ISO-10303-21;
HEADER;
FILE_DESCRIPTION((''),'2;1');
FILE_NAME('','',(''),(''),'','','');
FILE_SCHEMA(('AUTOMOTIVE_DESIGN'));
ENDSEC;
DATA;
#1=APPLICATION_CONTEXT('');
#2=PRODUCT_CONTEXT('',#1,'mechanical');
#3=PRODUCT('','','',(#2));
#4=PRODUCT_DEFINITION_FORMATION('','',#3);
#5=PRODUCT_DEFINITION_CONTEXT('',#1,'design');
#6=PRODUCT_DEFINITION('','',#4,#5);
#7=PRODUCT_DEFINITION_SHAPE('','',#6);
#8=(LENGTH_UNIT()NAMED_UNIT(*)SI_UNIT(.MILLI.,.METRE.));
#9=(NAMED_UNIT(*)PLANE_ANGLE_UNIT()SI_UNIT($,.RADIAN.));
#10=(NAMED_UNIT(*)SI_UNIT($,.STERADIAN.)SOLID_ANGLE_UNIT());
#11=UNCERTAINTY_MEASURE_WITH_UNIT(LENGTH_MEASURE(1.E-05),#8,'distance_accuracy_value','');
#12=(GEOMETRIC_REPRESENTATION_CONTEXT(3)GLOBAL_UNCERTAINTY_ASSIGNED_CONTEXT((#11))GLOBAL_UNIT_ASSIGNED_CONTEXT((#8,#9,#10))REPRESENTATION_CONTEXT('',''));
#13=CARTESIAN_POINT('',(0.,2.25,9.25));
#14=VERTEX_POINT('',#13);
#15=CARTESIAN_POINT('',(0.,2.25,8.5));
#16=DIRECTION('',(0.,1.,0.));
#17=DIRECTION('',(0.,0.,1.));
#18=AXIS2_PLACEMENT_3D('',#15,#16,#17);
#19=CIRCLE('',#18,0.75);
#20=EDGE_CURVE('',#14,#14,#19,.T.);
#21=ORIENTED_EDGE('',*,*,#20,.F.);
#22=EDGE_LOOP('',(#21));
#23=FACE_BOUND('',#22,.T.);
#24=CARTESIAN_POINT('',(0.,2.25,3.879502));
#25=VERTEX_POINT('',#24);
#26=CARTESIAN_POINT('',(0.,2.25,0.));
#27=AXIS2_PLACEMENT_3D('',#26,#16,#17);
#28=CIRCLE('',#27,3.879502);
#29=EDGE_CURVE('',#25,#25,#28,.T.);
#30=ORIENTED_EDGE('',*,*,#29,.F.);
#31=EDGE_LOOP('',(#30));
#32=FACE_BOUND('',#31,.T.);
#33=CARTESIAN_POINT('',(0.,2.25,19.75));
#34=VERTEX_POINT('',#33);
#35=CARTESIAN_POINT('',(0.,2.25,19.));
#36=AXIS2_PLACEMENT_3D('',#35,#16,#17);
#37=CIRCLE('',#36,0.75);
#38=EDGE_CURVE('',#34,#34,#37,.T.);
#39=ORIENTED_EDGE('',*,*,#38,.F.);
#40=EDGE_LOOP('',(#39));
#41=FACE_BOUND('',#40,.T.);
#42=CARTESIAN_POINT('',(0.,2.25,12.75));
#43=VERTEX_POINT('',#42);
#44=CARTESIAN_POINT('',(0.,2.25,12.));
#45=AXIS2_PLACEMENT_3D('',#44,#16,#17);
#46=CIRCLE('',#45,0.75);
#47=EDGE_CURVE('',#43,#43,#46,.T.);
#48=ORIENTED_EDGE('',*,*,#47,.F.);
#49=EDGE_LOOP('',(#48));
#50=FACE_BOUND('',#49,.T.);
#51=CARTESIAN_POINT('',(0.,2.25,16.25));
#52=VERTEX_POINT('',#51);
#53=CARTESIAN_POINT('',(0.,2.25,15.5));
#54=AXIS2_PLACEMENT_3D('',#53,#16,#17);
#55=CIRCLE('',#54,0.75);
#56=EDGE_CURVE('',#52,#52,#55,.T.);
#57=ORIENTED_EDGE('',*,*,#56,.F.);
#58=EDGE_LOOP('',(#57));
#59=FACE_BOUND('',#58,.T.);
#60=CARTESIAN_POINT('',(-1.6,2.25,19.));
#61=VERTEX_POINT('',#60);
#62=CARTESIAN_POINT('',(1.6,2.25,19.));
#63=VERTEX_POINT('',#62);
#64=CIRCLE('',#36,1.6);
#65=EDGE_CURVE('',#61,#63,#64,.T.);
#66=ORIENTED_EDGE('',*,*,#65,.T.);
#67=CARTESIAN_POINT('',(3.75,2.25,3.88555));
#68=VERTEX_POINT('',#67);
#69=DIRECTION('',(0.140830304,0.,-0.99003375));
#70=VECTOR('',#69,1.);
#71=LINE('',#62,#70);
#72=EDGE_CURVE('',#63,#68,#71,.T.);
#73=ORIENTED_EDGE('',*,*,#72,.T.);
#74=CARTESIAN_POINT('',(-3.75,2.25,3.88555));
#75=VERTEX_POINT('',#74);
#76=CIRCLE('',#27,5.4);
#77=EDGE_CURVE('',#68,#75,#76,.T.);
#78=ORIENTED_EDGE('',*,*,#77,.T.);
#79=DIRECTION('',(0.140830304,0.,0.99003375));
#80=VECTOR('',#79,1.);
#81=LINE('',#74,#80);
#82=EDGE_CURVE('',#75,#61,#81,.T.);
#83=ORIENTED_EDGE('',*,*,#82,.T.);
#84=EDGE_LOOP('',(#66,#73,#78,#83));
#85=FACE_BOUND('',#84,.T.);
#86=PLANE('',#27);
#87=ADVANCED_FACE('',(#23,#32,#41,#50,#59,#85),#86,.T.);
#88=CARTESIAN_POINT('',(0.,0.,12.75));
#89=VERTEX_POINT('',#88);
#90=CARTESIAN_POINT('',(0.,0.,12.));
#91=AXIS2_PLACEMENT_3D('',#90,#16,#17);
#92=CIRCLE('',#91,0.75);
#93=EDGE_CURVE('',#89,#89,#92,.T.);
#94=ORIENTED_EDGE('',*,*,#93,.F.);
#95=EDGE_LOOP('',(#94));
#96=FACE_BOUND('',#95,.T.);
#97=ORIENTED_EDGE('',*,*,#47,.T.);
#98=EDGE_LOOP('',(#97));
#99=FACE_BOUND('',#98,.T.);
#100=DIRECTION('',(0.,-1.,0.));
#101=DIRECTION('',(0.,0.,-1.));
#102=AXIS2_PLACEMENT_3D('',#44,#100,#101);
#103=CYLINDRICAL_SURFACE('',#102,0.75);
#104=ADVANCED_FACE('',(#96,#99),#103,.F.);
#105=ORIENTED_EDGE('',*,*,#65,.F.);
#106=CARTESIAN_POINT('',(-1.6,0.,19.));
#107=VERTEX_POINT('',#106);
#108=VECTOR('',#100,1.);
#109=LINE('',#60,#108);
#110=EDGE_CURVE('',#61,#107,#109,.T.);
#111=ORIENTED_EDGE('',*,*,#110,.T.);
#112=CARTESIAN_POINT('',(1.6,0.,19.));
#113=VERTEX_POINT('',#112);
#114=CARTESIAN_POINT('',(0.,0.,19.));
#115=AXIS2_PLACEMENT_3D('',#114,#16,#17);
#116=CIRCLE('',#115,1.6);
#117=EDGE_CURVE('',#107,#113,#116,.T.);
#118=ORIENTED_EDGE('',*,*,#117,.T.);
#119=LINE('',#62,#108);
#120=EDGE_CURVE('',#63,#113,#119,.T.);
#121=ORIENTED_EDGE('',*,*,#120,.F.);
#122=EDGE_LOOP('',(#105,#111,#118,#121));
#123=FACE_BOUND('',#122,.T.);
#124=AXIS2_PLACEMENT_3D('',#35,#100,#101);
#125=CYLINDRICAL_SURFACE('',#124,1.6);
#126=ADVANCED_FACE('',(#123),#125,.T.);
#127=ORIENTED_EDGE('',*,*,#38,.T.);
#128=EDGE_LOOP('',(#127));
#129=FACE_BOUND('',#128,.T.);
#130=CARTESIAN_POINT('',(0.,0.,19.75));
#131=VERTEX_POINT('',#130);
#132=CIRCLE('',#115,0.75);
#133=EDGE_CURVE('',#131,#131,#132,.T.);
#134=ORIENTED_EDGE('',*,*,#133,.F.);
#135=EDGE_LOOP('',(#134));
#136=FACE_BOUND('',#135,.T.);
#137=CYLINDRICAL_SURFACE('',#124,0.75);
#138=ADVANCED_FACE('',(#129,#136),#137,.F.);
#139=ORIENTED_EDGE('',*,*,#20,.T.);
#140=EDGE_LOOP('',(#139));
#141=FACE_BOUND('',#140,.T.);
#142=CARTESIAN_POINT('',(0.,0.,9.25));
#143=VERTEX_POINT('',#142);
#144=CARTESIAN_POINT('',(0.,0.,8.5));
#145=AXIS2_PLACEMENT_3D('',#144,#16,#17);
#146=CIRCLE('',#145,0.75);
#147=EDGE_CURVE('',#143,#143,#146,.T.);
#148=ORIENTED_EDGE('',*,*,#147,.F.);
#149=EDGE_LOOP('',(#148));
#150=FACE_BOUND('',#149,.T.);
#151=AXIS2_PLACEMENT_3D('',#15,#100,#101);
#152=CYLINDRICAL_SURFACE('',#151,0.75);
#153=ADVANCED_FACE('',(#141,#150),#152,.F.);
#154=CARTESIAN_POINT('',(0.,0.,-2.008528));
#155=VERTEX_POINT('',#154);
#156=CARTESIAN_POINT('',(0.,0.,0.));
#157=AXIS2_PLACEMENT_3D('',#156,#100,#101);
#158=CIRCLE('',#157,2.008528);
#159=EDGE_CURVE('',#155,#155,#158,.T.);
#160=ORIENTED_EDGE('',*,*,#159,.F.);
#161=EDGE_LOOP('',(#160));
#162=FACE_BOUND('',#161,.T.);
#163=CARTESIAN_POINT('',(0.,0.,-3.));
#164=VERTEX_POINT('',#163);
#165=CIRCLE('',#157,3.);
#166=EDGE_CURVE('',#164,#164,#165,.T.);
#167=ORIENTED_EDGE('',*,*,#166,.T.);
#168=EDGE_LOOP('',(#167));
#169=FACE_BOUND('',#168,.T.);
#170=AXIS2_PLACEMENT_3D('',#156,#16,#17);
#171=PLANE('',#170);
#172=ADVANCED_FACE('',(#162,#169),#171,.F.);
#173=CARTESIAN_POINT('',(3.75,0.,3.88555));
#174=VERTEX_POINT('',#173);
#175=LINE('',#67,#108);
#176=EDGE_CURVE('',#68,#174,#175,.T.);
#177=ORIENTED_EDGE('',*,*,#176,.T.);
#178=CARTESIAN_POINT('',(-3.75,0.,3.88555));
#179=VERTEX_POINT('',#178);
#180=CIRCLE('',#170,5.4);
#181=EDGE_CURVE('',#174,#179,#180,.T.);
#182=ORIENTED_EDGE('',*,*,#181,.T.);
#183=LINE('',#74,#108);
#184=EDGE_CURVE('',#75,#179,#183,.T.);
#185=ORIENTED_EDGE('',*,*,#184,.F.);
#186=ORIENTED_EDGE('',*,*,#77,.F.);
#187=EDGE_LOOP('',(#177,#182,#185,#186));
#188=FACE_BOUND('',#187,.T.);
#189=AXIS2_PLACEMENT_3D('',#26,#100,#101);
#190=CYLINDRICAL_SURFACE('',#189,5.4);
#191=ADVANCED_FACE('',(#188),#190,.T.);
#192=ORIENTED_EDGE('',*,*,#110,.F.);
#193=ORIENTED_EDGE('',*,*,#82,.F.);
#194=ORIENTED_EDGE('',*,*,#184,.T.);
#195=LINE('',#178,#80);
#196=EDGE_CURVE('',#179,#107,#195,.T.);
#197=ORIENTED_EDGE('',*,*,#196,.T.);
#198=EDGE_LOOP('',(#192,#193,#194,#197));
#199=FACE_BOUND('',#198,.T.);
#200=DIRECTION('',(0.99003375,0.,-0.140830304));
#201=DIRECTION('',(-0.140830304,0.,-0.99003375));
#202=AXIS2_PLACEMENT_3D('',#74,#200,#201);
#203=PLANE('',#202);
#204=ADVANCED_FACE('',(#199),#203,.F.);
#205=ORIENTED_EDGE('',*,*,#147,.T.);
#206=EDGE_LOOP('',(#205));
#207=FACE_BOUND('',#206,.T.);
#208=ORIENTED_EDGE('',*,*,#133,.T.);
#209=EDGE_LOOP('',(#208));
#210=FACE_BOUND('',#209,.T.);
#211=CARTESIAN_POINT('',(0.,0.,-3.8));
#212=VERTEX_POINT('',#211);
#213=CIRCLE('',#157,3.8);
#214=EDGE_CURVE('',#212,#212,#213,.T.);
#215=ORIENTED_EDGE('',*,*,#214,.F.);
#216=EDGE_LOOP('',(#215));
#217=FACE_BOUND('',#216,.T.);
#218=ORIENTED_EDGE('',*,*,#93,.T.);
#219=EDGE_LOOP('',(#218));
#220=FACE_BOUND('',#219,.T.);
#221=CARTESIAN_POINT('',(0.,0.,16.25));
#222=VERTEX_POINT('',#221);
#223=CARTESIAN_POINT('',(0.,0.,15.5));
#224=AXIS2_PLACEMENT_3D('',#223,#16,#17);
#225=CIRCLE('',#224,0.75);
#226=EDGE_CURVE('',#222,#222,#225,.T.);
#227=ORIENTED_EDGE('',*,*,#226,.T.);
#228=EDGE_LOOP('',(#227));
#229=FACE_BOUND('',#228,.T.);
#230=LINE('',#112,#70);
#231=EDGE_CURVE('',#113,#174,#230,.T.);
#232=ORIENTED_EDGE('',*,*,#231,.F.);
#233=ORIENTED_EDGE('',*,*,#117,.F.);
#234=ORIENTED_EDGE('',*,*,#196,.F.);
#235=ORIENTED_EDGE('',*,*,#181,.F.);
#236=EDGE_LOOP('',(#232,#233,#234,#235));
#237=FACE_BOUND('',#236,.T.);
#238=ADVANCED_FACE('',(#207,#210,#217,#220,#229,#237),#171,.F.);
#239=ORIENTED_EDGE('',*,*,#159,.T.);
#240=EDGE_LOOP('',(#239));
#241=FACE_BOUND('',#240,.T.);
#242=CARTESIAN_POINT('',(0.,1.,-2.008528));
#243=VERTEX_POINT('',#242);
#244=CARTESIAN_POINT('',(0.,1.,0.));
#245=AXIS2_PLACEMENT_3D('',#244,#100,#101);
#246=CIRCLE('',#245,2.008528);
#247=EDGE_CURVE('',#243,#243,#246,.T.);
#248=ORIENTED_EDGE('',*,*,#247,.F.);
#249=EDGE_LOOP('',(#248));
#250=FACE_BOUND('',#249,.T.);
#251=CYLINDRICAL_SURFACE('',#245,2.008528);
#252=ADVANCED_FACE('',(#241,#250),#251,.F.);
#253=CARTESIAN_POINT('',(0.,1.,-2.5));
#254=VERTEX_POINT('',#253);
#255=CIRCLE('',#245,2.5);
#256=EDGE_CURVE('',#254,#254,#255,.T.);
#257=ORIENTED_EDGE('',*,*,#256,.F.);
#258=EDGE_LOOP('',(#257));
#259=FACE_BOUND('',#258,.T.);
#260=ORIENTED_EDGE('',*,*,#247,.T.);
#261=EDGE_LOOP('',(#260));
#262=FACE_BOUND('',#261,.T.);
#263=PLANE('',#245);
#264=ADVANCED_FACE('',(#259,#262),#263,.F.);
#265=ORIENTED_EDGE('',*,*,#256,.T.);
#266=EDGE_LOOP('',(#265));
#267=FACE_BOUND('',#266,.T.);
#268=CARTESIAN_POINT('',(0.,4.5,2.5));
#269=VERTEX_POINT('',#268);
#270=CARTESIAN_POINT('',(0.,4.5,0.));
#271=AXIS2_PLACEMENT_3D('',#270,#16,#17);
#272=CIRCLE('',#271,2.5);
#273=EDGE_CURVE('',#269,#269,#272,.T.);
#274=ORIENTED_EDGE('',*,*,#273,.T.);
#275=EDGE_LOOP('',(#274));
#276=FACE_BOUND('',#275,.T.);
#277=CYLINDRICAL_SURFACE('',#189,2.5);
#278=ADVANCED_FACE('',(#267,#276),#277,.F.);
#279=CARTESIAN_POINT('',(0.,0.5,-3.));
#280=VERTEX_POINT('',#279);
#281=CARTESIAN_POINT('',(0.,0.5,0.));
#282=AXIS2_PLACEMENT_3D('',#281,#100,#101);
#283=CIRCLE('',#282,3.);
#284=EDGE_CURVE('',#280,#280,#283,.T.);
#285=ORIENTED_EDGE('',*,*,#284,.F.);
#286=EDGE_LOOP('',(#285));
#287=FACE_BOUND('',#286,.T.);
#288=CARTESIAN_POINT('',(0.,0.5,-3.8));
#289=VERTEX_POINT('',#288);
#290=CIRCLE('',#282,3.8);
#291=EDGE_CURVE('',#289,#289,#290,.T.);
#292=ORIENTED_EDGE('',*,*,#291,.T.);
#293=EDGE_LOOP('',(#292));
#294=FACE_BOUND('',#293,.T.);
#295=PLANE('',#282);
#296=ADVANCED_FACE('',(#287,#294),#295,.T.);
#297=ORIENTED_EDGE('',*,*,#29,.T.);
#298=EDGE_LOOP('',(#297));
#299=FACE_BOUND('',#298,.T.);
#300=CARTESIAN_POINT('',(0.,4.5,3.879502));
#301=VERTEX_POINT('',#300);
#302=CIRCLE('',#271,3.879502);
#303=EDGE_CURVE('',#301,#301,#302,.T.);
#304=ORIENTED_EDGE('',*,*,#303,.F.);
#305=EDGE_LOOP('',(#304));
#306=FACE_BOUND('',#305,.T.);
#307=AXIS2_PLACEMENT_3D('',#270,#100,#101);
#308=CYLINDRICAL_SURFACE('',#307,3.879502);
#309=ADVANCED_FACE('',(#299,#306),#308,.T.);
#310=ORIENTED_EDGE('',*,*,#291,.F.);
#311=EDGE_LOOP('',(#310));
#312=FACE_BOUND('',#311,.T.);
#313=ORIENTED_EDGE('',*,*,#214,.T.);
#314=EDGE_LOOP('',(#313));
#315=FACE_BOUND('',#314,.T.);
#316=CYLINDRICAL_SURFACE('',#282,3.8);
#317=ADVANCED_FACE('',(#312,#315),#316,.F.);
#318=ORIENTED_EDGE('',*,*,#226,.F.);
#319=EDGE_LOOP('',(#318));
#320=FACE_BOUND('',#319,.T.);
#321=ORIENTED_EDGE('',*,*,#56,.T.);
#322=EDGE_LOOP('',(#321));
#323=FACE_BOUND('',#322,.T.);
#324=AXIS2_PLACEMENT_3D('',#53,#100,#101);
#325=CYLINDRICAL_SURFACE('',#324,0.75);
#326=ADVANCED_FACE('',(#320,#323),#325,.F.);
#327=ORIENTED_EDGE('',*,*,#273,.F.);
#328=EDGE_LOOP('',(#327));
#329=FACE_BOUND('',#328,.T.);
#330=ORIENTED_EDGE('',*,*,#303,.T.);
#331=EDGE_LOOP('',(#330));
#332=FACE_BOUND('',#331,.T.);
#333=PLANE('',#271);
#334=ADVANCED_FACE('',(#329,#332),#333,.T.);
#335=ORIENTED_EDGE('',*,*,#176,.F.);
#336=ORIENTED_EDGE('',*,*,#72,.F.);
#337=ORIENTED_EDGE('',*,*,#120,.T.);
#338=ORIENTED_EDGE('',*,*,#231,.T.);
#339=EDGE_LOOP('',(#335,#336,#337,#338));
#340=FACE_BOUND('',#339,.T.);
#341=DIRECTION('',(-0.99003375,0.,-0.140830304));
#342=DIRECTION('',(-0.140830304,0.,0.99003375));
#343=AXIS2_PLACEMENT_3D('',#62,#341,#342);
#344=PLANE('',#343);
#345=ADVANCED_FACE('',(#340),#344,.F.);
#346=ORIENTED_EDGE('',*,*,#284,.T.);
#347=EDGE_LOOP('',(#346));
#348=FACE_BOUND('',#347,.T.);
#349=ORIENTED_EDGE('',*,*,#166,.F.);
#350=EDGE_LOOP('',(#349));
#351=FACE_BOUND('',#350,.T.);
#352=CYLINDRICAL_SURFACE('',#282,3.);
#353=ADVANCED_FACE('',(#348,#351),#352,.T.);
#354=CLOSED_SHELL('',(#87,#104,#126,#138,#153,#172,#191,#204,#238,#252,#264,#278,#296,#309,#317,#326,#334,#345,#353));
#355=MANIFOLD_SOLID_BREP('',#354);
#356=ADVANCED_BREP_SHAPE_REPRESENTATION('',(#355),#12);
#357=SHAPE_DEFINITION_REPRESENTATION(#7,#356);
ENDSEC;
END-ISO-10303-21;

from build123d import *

# Parameters (mm, degrees)
SKETCH1_R           = 2.5
SKETCH1_R_2         = 0.75
BOSS_EXTRUDE1_DEPTH = 2.25
SKETCH2_R           = 3.879501895
SKETCH2_R_2         = 2.5
BOSS_EXTRUDE2_DEPTH = 2.25
SKETCH3_R           = 2.5
SKETCH3_R_2         = 2.008527967
BOSS_EXTRUDE3_DEPTH = 1
SKETCH4_R           = 3.8
SKETCH4_R_2         = 3
CUT_EXTRUDE1_DEPTH  = 0.5
CUT_EXTRUDE2_DEPTH  = 22.766258291


with BuildPart() as part:
    # Sketch1 → Boss-Extrude1 (new body)
    with BuildSketch(Plane(origin=(0, 0, 0), x_dir=(1, 0, 0), z_dir=(0, 1, 0))):
        with BuildLine():
            Line((-1.6, 19), (-3.75, 3.885550154))
            ThreePointArc((-3.75, 3.885550154), (-5.4, 0), (-3.75, -3.885550154))
            Line((-3.75, -3.885550154), (-1.6, -19))
            ThreePointArc((-1.6, -19), (0, -20.6), (1.6, -19))
            Line((1.6, -19), (3.75, -3.885550154))
            ThreePointArc((3.75, -3.885550154), (5.4, 0), (3.75, 3.885550154))
            Line((3.75, 3.885550154), (1.6, 19))
            ThreePointArc((1.6, 19), (0, 20.6), (-1.6, 19))
        make_face()
        with Locations(Location((0, 0, 0), (0, 0, 270))):
            Circle(SKETCH1_R, mode=Mode.SUBTRACT)
        with Locations(Location((0, -19, 0), (0, 0, 270))):
            Circle(SKETCH1_R_2, mode=Mode.SUBTRACT)
        with Locations(Location((0, 19, 0), (0, 0, 270))):
            Circle(SKETCH1_R_2, mode=Mode.SUBTRACT)
        with Locations(Location((0, 15.5, 0), (0, 0, 270))):
            Circle(SKETCH1_R_2, mode=Mode.SUBTRACT)
        with Locations(Location((0, 12, 0), (0, 0, 270))):
            Circle(SKETCH1_R_2, mode=Mode.SUBTRACT)
        with Locations(Location((0, 8.5, 0), (0, 0, 270))):
            Circle(SKETCH1_R_2, mode=Mode.SUBTRACT)
        with Locations(Location((0, -15.5, 0), (0, 0, 270))):
            Circle(SKETCH1_R_2, mode=Mode.SUBTRACT)
        with Locations(Location((0, -12, 0), (0, 0, 270))):
            Circle(SKETCH1_R_2, mode=Mode.SUBTRACT)
        with Locations(Location((0, -8.5, 0), (0, 0, 270))):
            Circle(SKETCH1_R_2, mode=Mode.SUBTRACT)
    extrude(amount=BOSS_EXTRUDE1_DEPTH)

    # Sketch2 → Boss-Extrude2 (add)
    with BuildSketch(Plane(origin=(0, 2.25, 0), x_dir=(1, 0, 0), z_dir=(0, 1, 0))):
        with Locations(Location((0, 0, 0), (0, 0, 270))):
            Circle(SKETCH2_R)
        with Locations(Location((0, 0, 0), (0, 0, 270))):
            Circle(SKETCH2_R_2, mode=Mode.SUBTRACT)
    extrude(amount=BOSS_EXTRUDE2_DEPTH)

    # Sketch3 → Boss-Extrude3 (add)
    with BuildSketch(Plane.XZ):
        with Locations(Location((0, 0, 0), (0, 0, 270))):
            Circle(SKETCH3_R)
        with Locations(Location((0, 0, 0), (0, 0, 270))):
            Circle(SKETCH3_R_2, mode=Mode.SUBTRACT)
    extrude(amount=-BOSS_EXTRUDE3_DEPTH)

    # Sketch4 → Cut-Extrude1 (cut)
    with BuildSketch(Plane.XZ):
        with Locations(Location((0, 0, 0), (0, 0, 270))):
            Circle(SKETCH4_R)
        with Locations(Location((0, 0, 0), (0, 0, 270))):
            Circle(SKETCH4_R_2, mode=Mode.SUBTRACT)
    extrude(amount=-CUT_EXTRUDE1_DEPTH, mode=Mode.SUBTRACT)

    # Sketch5 → Cut-Extrude2 (cut, through all)
    with BuildSketch(Plane.XZ):
        with BuildLine():
            Line((-3.75, -3.885550154), (-1.6, -19))
            ThreePointArc((-1.6, -19), (0, -20.6), (1.6, -19))
            Line((1.6, -19), (3.75, -3.885550154))
            ThreePointArc((3.75, -3.885550154), (0, -5.4), (-3.75, -3.885550154))
        make_face()
    extrude(amount=-CUT_EXTRUDE2_DEPTH, mode=Mode.SUBTRACT)


solid = part.part
